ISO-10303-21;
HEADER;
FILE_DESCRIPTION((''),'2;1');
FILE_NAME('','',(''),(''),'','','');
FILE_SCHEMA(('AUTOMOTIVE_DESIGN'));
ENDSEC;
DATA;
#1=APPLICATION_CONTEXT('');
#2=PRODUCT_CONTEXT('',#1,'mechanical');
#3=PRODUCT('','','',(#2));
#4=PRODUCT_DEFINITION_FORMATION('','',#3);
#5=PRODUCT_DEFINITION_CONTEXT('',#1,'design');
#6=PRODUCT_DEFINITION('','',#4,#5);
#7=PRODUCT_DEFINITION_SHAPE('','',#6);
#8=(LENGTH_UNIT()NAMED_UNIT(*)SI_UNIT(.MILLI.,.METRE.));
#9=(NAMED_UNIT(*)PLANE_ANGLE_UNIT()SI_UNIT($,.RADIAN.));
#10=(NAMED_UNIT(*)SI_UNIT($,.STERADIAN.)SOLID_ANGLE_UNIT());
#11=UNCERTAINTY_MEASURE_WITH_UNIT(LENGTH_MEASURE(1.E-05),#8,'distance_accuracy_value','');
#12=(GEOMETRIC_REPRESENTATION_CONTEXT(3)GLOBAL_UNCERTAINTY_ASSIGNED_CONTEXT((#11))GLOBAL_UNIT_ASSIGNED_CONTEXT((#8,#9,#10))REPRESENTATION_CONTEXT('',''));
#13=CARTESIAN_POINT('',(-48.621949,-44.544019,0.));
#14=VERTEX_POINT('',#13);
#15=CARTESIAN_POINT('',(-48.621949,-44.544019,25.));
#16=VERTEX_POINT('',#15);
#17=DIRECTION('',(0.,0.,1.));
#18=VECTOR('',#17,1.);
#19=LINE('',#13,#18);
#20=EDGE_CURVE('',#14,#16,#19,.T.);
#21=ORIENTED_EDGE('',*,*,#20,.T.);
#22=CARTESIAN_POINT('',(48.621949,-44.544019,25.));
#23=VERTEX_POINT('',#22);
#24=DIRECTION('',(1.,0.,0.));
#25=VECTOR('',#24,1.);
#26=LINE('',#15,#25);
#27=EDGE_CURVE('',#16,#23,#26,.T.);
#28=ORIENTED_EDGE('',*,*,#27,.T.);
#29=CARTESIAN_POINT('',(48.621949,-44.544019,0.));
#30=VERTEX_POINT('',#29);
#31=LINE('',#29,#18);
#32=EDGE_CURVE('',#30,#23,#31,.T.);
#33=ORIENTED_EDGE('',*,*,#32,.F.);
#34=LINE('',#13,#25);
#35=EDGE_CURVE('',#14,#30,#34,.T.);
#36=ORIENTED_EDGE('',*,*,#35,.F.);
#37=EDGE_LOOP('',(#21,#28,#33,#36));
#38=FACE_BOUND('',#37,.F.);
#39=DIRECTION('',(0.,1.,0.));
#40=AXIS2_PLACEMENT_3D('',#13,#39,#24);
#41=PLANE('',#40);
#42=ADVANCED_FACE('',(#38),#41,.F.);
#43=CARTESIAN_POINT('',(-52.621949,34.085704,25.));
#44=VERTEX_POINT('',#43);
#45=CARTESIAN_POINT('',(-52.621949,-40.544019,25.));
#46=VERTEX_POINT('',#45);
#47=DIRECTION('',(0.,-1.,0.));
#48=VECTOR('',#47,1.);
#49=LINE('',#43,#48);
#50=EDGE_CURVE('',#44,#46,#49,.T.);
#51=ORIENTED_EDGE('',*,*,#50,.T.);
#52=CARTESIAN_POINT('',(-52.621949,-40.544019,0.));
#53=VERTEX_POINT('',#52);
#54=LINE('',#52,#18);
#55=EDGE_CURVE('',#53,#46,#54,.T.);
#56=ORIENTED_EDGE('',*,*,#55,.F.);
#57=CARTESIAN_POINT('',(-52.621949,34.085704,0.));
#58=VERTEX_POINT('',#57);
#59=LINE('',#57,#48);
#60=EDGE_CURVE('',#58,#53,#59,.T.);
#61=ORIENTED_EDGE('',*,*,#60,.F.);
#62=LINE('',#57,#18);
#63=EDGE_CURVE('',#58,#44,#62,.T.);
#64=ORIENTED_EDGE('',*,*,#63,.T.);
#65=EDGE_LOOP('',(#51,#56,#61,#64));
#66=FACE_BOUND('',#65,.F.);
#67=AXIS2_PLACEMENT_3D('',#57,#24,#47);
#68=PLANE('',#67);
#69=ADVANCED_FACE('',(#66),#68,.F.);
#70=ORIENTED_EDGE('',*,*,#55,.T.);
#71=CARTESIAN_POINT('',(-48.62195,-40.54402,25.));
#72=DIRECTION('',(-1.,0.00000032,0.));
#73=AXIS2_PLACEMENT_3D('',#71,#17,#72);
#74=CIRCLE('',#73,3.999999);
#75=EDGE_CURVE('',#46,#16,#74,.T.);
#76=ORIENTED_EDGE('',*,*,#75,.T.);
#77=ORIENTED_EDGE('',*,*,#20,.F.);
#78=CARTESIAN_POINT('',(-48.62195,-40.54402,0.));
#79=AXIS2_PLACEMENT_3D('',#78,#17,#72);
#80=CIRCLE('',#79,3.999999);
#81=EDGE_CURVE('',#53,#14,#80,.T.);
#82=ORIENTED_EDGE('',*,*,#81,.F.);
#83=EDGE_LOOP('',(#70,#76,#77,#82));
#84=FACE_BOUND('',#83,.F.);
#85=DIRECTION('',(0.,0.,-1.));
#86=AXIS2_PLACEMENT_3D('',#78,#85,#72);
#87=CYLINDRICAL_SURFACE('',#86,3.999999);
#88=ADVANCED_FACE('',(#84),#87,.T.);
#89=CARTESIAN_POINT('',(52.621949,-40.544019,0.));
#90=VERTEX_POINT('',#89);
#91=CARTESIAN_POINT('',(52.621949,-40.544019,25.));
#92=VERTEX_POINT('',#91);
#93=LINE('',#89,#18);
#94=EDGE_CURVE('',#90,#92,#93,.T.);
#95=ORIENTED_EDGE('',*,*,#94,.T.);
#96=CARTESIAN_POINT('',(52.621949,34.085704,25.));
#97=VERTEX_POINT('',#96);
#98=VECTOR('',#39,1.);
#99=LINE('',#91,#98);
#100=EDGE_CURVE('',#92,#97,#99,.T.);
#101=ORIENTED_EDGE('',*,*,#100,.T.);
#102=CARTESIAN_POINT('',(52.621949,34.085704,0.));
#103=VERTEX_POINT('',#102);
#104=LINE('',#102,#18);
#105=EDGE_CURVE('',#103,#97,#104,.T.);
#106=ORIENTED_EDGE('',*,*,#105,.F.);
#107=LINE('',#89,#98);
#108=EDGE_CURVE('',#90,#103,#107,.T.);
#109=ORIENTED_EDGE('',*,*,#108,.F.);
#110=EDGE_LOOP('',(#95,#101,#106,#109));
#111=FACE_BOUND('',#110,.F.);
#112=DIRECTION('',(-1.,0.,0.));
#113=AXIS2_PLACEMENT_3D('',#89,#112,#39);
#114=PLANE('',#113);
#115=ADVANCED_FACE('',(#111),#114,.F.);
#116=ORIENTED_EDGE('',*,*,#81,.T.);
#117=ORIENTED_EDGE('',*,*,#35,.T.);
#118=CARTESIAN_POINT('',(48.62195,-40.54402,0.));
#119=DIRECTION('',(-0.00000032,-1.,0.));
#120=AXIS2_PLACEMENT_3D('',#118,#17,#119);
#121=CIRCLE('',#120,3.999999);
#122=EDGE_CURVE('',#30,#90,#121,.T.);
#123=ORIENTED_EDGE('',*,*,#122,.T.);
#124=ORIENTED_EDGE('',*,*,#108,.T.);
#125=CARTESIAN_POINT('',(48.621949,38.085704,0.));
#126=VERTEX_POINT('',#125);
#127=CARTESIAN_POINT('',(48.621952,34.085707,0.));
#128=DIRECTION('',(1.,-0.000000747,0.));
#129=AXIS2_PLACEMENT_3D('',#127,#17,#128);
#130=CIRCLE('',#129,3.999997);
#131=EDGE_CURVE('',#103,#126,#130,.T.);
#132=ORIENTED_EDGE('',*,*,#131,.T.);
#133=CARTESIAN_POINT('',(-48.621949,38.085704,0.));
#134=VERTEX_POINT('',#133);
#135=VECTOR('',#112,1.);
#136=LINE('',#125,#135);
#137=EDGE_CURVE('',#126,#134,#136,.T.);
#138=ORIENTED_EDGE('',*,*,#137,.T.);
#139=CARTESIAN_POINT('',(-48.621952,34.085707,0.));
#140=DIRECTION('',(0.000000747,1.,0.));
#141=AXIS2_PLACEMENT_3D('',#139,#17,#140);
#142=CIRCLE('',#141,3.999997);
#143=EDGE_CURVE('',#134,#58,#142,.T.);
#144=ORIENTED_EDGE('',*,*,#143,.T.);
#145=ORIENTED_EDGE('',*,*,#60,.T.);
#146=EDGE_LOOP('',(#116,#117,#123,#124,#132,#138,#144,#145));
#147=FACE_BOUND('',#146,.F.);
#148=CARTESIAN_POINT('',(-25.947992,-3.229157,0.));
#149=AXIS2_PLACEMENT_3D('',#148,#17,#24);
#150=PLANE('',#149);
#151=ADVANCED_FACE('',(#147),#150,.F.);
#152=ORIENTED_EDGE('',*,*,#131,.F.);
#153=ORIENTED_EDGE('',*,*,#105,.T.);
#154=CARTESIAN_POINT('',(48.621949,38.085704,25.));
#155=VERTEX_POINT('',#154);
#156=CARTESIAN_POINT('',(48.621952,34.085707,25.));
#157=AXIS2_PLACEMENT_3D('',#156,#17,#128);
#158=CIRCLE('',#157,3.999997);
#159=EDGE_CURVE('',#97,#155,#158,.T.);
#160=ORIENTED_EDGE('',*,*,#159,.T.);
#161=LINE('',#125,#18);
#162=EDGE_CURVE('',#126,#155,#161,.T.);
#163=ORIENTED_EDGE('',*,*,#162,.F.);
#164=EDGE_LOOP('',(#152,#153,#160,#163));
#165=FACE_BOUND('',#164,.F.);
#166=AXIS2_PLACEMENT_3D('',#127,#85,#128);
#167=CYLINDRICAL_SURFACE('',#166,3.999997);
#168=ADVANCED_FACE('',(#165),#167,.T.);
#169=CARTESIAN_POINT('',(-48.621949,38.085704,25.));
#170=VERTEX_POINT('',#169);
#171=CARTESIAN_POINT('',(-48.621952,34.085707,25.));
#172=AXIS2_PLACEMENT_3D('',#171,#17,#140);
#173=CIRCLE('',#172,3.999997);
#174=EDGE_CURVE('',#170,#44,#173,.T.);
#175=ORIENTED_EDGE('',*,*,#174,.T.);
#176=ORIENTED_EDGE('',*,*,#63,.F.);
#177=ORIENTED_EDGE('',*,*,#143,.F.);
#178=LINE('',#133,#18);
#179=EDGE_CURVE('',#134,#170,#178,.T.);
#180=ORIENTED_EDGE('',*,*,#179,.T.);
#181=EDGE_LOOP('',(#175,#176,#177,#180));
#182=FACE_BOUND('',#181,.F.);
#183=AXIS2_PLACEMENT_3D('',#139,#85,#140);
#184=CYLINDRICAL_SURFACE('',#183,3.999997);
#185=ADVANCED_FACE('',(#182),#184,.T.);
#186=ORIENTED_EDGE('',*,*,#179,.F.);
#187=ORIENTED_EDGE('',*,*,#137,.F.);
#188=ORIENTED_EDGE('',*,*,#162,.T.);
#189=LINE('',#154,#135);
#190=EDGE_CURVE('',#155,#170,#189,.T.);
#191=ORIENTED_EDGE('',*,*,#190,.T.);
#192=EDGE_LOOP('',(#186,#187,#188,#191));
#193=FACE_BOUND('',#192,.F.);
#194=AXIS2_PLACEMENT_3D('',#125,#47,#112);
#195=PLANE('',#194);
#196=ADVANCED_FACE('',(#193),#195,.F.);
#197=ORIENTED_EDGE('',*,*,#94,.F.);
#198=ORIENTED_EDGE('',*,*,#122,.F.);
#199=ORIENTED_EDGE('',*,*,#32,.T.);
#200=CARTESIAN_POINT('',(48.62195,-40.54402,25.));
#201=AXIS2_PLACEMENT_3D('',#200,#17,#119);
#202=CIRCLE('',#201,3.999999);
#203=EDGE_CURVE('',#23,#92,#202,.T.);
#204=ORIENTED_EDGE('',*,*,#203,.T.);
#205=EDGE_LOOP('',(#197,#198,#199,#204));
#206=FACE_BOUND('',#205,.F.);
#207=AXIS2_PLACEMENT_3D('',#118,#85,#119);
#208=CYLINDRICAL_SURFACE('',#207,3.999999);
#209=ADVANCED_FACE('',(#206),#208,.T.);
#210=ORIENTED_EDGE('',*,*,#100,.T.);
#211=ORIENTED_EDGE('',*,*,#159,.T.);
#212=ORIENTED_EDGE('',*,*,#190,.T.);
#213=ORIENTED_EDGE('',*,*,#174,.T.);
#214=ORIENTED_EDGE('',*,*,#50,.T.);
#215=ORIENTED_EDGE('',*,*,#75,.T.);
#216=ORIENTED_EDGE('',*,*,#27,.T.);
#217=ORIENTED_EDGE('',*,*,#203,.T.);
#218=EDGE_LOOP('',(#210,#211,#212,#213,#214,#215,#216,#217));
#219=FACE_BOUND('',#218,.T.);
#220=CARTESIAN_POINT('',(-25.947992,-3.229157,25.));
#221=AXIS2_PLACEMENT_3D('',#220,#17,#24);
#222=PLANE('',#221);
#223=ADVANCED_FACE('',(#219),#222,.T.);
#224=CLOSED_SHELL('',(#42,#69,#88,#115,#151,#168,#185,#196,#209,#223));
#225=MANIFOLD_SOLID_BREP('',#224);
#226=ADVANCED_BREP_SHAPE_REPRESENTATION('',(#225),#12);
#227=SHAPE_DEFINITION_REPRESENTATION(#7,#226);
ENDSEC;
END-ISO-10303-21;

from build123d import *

# Parameters (mm, degrees)
F1_DEPTH = 25


with BuildPart() as f1:
    # F0 (on Top) → F1 (new body)
    with BuildSketch(Plane.XY):
        with BuildLine():
            Line((0, 38.085704), (-48.621949, 38.085704))
            ThreePointArc((-48.621949, 38.085704), (-51.450377, 36.914132), (-52.621949, 34.085704))
            Line((-52.621949, 34.085704), (-52.621949, -40.544019))
            ThreePointArc((-52.621949, -40.544019), (-51.450377, -43.372446), (-48.621949, -44.544019))
            Line((-48.621949, -44.544019), (0, -44.544019))
            Line((0, -44.544019), (0, 38.085704))
        make_face()
        with BuildLine():
            Line((48.621949, 38.085704), (0, 38.085704))
            Line((0, 38.085704), (0, -44.544019))
            Line((0, -44.544019), (48.621949, -44.544019))
            ThreePointArc((48.621949, -44.544019), (51.450377, -43.372446), (52.621949, -40.544019))
            Line((52.621949, -40.544019), (52.621949, 34.085704))
            ThreePointArc((52.621949, 34.085704), (51.450377, 36.914132), (48.621949, 38.085704))
        make_face()
    extrude(amount=F1_DEPTH)


solid = f1.part
